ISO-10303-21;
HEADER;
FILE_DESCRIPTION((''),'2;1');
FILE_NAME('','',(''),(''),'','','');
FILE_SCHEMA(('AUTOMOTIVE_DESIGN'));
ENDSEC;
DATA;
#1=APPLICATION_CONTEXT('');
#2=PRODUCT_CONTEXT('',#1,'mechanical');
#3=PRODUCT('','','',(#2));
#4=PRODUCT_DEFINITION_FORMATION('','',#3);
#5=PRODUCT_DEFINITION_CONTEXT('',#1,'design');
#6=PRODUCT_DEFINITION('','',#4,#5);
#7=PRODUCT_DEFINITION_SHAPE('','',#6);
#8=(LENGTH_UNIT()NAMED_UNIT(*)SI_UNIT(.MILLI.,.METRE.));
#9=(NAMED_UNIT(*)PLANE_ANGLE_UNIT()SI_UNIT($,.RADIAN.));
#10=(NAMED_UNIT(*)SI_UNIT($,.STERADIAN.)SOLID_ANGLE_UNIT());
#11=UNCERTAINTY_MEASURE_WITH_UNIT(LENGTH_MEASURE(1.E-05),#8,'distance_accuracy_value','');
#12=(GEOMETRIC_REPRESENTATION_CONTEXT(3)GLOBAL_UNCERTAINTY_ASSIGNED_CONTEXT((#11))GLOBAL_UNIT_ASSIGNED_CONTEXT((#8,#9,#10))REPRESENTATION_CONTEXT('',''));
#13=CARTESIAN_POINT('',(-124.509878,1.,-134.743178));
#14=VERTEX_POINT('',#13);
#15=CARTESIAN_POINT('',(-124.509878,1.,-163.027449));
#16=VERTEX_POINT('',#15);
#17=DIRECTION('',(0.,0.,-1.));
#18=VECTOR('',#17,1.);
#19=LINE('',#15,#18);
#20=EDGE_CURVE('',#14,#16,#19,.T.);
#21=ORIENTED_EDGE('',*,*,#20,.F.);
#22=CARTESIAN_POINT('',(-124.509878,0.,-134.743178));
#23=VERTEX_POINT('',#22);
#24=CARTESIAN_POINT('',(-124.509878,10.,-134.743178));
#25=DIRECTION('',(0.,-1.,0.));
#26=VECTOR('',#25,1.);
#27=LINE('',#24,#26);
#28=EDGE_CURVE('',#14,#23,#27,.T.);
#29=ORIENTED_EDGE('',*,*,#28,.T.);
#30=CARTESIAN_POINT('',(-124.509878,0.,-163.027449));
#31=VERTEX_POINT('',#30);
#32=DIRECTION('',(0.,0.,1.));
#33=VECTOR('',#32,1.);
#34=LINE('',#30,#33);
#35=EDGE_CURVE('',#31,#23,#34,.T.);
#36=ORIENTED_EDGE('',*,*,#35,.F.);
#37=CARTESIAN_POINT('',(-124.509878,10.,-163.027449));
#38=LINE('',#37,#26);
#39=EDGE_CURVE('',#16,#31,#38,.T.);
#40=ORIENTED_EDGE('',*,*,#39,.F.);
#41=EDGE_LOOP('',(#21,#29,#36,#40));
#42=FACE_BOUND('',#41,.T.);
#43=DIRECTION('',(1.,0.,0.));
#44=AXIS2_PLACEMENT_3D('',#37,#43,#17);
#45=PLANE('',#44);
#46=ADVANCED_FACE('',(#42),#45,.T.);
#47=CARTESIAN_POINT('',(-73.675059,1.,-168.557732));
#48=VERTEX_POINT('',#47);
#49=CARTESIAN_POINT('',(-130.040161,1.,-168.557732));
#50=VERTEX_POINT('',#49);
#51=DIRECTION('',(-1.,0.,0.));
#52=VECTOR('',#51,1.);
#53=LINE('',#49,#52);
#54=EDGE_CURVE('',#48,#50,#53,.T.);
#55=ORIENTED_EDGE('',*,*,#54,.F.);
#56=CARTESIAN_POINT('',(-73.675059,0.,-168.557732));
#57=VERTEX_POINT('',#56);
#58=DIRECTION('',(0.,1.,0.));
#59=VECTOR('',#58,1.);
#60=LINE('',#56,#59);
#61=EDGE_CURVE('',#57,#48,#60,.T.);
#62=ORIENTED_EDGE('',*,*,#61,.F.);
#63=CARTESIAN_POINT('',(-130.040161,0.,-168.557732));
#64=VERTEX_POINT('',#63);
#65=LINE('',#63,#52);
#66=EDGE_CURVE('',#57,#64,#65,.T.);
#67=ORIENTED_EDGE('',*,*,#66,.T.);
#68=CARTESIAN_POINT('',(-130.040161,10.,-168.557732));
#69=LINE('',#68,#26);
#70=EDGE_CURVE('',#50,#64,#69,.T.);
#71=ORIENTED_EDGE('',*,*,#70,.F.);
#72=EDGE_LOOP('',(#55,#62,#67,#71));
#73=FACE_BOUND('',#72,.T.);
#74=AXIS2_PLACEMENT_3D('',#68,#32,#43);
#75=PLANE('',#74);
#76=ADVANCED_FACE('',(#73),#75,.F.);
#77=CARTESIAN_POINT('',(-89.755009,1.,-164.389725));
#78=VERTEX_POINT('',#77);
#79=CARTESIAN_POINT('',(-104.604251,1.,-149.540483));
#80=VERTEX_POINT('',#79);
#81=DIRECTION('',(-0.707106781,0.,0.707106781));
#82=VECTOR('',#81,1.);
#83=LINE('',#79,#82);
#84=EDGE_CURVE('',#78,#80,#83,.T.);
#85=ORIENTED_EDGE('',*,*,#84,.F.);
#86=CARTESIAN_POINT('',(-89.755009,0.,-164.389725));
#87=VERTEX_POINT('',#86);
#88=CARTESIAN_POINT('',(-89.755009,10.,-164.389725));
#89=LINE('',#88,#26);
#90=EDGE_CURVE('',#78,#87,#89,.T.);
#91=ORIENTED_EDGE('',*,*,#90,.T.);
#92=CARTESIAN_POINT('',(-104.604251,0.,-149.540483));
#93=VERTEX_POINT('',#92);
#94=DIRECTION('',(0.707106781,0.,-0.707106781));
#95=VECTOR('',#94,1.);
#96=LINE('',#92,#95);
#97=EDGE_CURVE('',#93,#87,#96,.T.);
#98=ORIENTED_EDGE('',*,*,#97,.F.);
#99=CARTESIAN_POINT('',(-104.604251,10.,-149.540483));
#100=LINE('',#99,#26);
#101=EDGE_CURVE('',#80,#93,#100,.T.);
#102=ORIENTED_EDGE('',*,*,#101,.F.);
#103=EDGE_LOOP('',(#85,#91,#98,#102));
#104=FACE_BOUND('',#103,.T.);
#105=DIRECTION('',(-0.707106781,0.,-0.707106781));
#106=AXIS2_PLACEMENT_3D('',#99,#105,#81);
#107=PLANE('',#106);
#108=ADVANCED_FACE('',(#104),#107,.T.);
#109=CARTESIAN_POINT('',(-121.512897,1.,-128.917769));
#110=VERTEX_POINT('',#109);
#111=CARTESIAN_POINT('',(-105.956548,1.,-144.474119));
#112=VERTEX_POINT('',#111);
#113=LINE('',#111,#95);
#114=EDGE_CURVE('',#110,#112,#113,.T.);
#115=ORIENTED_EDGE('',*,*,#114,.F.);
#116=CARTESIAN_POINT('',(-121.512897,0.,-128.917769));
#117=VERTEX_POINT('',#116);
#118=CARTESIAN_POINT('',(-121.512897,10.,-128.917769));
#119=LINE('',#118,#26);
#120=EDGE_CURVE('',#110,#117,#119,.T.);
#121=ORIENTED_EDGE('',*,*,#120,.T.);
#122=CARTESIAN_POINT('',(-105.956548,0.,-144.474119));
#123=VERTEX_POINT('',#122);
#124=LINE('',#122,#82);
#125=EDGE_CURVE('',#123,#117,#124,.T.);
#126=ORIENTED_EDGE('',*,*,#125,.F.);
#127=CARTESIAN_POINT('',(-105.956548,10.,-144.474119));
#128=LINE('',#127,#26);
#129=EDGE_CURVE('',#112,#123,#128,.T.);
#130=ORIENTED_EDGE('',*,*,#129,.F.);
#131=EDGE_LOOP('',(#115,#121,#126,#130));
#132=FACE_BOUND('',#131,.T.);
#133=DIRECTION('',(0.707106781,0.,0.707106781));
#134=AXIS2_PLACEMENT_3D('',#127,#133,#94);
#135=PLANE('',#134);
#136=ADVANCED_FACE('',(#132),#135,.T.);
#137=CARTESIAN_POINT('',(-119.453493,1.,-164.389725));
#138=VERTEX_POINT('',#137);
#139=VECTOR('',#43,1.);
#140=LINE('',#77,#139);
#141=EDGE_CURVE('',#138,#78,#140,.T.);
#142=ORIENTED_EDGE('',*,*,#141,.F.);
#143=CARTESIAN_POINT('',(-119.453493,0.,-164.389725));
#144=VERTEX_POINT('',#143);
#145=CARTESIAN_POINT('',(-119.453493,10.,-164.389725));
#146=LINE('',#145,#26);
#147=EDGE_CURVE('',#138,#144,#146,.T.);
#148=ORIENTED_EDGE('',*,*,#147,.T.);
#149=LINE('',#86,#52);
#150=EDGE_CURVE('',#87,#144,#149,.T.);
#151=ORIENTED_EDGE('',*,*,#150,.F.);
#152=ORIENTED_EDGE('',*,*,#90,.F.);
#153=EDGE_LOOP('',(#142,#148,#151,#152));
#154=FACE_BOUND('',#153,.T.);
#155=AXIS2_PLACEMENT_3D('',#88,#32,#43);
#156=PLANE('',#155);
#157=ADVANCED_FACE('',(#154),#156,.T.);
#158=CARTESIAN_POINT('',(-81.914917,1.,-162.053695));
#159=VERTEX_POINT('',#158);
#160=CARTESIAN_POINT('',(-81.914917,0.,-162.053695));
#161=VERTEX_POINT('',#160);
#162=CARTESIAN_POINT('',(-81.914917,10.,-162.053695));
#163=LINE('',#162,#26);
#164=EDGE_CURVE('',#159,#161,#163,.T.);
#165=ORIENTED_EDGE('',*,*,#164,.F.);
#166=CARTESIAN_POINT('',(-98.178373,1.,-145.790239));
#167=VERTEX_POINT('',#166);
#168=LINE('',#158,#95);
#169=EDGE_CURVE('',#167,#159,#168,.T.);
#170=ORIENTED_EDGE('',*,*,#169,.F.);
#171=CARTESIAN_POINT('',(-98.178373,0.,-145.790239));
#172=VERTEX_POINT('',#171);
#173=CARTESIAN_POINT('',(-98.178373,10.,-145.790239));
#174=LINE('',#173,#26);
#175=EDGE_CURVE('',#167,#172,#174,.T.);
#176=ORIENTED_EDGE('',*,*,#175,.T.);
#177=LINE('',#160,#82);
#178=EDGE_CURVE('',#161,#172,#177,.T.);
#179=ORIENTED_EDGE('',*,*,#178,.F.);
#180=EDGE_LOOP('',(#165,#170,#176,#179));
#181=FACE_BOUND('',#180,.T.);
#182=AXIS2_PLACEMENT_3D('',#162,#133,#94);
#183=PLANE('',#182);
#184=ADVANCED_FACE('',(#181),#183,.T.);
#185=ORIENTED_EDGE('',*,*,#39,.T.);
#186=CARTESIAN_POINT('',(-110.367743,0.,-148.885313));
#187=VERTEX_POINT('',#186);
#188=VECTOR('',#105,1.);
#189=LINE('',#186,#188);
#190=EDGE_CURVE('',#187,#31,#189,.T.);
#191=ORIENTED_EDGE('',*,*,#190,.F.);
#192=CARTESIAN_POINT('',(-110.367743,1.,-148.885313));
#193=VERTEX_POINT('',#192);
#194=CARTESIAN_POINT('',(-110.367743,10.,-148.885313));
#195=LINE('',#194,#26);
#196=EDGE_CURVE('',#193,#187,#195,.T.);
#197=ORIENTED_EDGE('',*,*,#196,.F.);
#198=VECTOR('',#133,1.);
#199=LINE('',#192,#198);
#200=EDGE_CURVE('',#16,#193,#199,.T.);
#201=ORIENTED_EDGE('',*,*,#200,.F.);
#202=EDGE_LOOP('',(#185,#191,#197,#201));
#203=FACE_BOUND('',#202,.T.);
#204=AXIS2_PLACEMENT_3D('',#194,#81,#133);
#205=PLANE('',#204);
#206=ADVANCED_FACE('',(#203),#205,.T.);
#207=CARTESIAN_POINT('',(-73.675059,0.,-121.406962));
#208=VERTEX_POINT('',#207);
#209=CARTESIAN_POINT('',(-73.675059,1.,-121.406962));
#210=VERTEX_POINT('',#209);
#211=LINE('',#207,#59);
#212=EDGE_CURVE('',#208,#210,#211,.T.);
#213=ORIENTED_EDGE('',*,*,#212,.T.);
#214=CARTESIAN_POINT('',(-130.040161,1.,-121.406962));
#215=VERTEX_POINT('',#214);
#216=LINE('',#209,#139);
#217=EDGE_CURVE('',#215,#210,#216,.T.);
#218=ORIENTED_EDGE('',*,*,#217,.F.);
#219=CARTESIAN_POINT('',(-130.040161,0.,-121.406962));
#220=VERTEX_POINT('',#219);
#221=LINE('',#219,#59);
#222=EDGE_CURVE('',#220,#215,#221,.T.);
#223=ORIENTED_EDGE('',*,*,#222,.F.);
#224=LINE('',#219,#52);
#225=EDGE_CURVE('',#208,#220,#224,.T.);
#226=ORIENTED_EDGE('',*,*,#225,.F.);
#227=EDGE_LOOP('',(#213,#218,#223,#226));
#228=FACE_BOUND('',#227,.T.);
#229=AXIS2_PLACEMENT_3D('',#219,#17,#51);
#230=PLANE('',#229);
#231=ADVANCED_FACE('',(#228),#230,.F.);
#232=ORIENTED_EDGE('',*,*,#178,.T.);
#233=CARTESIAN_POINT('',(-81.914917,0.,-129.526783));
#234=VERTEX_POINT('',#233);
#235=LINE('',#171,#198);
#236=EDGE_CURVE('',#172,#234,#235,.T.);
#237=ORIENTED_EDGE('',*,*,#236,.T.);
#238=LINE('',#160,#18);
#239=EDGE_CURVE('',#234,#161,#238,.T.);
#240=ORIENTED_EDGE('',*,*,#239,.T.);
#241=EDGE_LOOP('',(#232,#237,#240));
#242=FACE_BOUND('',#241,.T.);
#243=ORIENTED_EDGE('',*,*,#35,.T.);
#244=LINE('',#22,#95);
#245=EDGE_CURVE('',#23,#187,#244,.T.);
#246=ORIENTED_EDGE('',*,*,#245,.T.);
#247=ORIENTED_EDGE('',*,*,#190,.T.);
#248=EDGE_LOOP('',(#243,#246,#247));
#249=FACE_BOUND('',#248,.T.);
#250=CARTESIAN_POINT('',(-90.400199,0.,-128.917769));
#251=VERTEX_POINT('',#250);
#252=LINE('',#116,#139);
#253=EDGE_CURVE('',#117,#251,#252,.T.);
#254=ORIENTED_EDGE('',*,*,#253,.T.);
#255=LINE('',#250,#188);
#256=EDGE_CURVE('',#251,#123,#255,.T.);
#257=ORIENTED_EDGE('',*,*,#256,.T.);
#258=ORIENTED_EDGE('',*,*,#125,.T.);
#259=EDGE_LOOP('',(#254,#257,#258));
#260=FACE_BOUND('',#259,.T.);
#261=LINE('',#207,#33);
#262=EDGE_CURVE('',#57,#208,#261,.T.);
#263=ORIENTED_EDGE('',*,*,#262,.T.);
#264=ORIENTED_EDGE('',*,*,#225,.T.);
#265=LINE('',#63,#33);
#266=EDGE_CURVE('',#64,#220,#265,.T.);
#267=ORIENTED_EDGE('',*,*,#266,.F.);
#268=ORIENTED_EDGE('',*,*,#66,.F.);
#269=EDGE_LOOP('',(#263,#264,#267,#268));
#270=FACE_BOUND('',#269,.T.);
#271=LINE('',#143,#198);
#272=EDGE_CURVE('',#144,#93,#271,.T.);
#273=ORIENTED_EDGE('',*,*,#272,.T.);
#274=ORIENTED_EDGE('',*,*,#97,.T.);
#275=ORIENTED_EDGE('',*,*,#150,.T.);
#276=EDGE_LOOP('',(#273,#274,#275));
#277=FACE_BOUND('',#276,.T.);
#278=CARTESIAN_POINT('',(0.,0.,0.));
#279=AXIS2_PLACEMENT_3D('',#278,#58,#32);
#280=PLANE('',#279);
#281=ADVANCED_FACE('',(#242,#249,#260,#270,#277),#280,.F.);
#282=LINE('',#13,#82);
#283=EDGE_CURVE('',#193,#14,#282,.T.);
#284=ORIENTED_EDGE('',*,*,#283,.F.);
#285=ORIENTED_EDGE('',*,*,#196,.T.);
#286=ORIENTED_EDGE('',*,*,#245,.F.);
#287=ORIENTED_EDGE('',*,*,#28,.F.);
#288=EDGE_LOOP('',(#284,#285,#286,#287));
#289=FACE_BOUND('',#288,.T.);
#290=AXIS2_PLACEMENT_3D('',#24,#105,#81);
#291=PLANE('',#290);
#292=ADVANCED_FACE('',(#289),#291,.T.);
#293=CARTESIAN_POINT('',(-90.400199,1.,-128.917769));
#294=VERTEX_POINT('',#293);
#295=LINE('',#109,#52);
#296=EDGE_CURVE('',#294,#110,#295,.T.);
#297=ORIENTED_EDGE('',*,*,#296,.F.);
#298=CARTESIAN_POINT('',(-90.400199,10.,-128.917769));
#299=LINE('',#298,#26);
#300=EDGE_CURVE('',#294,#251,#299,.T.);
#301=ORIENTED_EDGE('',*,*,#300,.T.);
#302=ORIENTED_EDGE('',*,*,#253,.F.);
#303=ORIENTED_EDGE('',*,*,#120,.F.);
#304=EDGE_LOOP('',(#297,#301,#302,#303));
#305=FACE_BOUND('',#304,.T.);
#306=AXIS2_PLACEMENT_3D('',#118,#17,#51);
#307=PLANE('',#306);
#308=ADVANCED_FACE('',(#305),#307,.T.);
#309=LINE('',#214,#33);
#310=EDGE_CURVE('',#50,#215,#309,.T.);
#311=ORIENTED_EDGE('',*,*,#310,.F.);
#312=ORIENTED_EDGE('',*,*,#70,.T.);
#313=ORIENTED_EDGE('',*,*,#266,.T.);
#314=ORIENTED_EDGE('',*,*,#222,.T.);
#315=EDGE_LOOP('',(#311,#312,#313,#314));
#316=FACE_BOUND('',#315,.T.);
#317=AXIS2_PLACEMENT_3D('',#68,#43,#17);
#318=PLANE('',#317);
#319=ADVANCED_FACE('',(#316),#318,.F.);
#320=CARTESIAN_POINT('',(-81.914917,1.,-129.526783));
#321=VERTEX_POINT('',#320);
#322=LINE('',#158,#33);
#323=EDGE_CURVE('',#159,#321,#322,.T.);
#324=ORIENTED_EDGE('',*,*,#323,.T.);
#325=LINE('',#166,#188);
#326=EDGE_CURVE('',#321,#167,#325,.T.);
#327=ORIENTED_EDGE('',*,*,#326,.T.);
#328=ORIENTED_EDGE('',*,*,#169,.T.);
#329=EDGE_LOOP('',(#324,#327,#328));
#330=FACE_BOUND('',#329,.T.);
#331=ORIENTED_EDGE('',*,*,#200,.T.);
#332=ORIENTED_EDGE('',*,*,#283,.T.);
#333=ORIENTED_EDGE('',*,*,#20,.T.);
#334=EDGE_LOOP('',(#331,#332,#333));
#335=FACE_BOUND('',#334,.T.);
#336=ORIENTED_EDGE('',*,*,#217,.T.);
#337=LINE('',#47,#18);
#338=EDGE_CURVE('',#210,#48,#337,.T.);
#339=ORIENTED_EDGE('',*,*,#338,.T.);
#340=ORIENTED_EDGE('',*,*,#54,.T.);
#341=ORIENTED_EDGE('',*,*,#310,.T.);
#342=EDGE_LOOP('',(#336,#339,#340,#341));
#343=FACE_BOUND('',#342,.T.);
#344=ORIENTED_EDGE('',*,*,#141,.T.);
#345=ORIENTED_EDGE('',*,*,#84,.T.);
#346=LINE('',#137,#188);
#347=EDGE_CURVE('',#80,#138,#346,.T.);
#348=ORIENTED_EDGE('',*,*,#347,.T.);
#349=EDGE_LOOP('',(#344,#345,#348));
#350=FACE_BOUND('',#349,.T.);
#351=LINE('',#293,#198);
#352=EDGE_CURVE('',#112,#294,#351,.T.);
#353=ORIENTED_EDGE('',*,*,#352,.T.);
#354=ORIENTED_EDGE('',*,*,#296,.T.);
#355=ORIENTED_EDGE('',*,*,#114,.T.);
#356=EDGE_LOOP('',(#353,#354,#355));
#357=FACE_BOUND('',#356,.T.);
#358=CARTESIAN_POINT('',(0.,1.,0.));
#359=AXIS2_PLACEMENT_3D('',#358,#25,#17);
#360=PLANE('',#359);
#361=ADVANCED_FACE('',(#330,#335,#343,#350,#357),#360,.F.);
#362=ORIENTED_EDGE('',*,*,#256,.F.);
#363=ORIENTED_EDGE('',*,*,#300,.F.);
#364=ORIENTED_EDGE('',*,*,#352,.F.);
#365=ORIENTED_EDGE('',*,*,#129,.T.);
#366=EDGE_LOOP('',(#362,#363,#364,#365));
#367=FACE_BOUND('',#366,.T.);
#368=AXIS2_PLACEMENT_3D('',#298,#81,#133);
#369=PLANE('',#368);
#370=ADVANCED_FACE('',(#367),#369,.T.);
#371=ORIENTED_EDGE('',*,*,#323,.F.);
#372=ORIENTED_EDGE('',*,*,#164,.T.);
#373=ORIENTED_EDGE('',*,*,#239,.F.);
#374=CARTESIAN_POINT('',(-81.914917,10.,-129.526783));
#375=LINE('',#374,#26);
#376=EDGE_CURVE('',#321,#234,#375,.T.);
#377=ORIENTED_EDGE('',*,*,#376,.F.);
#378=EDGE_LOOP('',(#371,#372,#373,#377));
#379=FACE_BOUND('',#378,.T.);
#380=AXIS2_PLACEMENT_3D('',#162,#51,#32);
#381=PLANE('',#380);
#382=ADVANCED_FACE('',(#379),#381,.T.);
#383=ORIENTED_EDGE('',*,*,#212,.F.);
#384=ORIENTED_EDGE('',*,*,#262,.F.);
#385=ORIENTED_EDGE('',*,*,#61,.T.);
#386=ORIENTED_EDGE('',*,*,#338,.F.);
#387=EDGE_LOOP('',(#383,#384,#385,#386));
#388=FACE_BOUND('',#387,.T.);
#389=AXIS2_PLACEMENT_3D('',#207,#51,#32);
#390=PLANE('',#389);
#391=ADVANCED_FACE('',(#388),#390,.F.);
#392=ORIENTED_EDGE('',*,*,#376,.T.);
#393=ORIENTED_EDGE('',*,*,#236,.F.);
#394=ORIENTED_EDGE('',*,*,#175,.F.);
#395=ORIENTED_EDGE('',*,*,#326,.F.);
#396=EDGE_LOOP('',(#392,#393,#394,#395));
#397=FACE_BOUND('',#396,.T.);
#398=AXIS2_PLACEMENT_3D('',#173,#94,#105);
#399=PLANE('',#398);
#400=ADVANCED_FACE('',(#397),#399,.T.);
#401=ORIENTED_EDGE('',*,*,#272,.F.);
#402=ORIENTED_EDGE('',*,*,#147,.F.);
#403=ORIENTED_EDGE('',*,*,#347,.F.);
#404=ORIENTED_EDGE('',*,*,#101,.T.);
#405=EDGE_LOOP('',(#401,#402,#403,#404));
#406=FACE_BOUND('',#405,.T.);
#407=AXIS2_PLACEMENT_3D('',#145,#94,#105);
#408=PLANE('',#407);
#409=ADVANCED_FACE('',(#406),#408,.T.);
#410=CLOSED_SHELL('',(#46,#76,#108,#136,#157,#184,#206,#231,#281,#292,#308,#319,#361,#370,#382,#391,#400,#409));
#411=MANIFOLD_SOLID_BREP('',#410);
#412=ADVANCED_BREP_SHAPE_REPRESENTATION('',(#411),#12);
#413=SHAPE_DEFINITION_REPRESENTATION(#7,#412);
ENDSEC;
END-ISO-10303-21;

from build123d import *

# Parameters (mm, degrees)
SKETCH_1_W          = 100
SKETCH_1_H          = 100
EXTRUDE_1_DEPTH     = 10
CUT_EXTRUDE_1_DEPTH = 10
SKETCH_3_W          = 56.365102816
SKETCH_3_H          = 47.150770251
CUT_EXTRUDE_2_DEPTH = 9


with BuildPart() as part:
    # 草图1 → 凸台-拉伸1 (new body)
    with BuildSketch(Plane(origin=(0, 0, 0), x_dir=(1, 0, 0), z_dir=(0, 1, 0))):
        with Locations((-80.040161423, 118.55773228)):
            Rectangle(SKETCH_1_W, SKETCH_1_H)
        Polygon((-124.50987816, 163.027449017), (-124.50987816, 134.743177769), (-110.367742536, 148.885313393), align=None, mode=Mode.SUBTRACT)
        Polygon((-119.453493398, 164.389725441), (-104.604250993, 149.540483036), (-89.755008588, 164.389725441), align=None, mode=Mode.SUBTRACT)
        Polygon((-105.956547691, 144.474118548), (-121.512896877, 128.917769362), (-90.400198505, 128.917769362), align=None, mode=Mode.SUBTRACT)
        Polygon((-81.914917131, 162.05369475), (-98.178373098, 145.790238783), (-81.914917131, 129.526782816), align=None, mode=Mode.SUBTRACT)
    extrude(amount=EXTRUDE_1_DEPTH)

    # 草图2 → 切除-拉伸1 (cut)
    with BuildSketch(Plane(origin=(0, 10, 0), x_dir=(1, 0, 0), z_dir=(0, 1, 0))):
        Polygon((-130.040161423, 121.406962029), (-73.675058607, 121.406962029), (-73.675058607, 168.55773228), (-30.040161423, 168.55773228), (-30.040161423, 68.55773228), (-130.040161423, 68.55773228), align=None)
    extrude(amount=-CUT_EXTRUDE_1_DEPTH, mode=Mode.SUBTRACT)

    # 草图3 → 切除-拉伸2 (cut)
    with BuildSketch(Plane(origin=(0, 10, 0), x_dir=(1, 0, 0), z_dir=(0, 1, 0))):
        with Locations((-101.857610015, 144.982347155)):
            Rectangle(SKETCH_3_W, SKETCH_3_H)
    extrude(amount=-CUT_EXTRUDE_2_DEPTH, mode=Mode.SUBTRACT)


solid = part.part
